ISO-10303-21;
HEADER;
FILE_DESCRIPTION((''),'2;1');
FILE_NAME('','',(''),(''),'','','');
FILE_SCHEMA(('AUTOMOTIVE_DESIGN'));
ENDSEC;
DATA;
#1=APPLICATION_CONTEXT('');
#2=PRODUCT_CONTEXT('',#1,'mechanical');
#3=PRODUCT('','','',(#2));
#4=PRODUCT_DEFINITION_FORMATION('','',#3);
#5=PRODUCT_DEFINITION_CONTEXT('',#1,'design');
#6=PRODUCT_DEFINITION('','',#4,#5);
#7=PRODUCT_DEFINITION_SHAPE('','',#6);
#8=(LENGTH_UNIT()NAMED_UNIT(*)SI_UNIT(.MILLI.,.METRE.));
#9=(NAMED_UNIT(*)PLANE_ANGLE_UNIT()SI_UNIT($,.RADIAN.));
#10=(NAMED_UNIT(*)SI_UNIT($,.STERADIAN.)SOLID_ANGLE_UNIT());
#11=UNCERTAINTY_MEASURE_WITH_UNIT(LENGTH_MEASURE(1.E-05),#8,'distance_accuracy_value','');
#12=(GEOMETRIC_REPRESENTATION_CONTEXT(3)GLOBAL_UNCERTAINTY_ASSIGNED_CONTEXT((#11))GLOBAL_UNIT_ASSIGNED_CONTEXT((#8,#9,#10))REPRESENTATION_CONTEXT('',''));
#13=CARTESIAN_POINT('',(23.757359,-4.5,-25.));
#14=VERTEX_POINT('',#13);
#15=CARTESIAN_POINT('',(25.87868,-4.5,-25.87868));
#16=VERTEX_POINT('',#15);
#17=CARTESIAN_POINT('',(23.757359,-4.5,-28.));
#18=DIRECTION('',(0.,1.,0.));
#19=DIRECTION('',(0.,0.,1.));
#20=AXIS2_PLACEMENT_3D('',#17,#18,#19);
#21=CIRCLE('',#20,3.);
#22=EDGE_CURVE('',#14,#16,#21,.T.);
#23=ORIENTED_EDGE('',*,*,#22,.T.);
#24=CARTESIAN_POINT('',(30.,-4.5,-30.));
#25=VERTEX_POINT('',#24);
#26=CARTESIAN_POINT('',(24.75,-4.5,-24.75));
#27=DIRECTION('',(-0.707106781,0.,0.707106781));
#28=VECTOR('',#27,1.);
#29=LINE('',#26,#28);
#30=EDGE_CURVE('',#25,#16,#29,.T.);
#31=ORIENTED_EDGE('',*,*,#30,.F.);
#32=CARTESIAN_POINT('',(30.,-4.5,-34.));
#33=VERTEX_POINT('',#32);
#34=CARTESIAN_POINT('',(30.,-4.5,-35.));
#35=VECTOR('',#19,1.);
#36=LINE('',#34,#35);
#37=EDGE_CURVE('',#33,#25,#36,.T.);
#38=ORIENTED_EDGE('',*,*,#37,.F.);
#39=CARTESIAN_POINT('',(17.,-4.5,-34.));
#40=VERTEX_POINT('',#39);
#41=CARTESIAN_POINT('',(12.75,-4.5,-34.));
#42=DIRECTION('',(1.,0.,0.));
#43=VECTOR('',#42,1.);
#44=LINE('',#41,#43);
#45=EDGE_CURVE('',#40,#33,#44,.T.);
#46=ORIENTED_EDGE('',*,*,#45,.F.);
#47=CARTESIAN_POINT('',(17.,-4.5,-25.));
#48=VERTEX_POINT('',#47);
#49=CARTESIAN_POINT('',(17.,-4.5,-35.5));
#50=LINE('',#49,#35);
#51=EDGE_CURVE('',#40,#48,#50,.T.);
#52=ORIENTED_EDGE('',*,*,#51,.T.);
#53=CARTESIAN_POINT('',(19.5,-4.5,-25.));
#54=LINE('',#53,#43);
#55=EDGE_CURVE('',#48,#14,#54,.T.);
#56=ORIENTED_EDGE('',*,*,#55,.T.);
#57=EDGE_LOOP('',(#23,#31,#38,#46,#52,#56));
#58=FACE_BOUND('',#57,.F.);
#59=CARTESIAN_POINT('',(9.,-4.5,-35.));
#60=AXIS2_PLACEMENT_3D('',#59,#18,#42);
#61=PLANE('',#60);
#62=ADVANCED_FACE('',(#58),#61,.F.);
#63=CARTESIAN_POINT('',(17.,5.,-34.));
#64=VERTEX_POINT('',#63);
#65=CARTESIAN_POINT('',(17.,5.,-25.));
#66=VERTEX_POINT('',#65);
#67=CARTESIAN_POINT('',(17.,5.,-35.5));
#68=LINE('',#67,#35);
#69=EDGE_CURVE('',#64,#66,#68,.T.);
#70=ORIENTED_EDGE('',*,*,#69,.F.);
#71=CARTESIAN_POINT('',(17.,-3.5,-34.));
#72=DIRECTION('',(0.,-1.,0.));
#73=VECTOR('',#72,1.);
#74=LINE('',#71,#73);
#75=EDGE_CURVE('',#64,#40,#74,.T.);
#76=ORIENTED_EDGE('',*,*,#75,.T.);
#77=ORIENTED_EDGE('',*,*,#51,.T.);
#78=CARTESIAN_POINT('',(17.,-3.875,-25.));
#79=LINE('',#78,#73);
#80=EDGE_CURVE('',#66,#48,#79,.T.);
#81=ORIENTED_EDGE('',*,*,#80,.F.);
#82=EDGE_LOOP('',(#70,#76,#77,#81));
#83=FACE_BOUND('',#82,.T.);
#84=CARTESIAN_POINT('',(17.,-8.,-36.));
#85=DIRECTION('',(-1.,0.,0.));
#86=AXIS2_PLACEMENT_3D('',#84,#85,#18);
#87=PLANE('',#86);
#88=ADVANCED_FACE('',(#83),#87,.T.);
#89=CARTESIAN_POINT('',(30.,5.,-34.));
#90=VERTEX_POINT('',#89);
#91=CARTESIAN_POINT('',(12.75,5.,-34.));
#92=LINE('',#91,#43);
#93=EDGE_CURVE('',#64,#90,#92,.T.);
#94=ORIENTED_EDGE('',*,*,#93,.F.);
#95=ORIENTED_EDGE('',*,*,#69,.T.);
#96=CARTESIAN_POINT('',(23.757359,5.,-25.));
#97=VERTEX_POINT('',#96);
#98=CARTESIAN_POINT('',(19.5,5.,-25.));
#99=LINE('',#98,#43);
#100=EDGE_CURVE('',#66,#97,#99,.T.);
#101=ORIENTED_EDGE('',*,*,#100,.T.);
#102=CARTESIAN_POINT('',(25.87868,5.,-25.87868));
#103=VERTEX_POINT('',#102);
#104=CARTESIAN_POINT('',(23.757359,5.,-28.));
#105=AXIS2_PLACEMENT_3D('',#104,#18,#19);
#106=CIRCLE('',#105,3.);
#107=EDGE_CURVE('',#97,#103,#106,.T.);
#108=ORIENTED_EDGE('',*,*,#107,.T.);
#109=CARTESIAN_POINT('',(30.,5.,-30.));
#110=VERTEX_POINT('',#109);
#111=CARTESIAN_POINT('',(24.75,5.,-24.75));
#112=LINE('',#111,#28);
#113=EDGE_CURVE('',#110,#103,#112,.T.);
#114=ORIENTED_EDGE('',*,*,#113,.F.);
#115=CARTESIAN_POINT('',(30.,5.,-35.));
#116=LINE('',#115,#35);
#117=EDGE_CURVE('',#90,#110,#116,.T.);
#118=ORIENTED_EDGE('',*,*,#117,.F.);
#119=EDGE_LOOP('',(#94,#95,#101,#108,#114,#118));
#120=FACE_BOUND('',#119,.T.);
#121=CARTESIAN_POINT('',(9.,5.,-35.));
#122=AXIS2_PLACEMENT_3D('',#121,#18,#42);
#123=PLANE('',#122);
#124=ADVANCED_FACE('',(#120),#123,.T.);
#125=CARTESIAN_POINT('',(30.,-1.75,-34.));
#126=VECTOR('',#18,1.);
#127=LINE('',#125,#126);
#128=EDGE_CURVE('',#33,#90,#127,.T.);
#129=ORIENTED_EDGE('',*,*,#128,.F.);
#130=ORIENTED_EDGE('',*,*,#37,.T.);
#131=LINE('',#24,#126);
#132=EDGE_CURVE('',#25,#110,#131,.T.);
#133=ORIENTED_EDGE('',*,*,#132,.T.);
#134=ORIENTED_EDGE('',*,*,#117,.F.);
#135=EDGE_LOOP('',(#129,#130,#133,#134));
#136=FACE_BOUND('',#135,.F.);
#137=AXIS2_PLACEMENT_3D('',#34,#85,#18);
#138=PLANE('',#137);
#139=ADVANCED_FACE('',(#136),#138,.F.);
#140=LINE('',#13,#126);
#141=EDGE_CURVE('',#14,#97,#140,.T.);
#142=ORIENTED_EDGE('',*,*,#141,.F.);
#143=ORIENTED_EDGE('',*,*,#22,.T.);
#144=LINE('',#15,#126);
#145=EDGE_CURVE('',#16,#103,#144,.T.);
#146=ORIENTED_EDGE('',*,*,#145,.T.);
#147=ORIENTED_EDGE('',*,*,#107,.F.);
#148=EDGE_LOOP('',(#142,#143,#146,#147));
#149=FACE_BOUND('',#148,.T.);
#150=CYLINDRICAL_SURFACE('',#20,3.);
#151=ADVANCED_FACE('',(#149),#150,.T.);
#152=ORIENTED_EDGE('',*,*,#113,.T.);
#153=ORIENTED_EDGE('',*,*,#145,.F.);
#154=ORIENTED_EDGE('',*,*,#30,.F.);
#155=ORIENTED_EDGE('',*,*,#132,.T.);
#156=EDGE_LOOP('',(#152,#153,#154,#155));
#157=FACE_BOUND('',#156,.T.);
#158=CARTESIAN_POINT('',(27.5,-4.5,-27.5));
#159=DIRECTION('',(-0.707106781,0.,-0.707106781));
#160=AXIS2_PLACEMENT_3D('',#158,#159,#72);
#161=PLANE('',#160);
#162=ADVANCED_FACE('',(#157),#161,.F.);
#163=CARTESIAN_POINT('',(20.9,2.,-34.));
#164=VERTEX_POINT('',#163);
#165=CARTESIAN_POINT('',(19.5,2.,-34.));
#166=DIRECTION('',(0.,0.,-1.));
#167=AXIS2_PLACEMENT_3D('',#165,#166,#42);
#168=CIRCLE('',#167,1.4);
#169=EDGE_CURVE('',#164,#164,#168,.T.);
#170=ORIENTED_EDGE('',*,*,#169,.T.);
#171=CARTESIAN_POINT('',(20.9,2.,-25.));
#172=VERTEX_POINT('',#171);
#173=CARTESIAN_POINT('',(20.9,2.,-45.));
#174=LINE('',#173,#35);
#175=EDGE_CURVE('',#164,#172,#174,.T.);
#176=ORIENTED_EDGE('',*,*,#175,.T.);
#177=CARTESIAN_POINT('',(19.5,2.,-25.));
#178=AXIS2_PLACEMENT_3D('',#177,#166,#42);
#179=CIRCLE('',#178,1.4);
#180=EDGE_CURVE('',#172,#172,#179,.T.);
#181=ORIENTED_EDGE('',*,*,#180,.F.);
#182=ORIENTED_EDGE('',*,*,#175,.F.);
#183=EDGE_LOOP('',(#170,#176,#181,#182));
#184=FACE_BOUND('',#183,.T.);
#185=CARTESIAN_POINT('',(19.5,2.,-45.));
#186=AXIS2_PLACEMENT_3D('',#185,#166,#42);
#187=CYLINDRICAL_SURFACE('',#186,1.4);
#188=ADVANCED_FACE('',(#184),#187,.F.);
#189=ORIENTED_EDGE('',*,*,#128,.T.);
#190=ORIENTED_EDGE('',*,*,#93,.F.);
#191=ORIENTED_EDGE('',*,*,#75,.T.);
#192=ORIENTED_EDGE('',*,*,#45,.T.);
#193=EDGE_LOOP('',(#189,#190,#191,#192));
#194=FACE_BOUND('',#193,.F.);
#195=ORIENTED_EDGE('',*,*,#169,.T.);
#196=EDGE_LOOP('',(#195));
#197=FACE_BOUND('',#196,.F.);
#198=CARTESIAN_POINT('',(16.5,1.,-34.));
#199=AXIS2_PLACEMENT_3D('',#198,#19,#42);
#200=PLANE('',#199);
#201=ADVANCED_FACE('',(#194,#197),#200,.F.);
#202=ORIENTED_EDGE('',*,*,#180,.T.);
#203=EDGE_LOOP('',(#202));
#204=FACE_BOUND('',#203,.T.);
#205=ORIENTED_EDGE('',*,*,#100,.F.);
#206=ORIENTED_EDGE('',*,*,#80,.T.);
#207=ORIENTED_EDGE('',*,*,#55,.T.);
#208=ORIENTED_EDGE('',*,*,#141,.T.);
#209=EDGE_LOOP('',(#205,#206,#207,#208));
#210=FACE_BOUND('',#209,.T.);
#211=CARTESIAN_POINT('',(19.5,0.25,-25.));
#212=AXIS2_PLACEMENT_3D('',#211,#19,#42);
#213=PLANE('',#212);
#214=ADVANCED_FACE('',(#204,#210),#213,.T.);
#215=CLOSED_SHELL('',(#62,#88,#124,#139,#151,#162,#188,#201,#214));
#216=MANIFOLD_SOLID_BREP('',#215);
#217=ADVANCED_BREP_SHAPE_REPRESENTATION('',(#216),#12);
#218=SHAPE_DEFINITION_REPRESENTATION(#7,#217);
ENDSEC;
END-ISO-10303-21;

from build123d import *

# Parameters (mm, degrees)
BOX001027045162_W     = 17
BOX001027045162_H     = 18
BOX001027045162_DEPTH = 16
CYLINDER208_R         = 1.4
CYLINDER208_DEPTH     = 30
BOX001027045158_W     = 33
BOX001027045158_H     = 16
BOX001027045158_DEPTH = 10
BOX001027045156_W     = 21
BOX001027045156_H     = 9.5
BOX001027045156_DEPTH = 10
CHAMFER018_SIZE       = 5
FILLET026_R           = 3


with BuildPart() as cube210:
    # Box001027045162 → Box001027045162 (new body)
    with BuildSketch(Plane(origin=(0, -8, -36), x_dir=(1, 0, 0), z_dir=(0, 0, 1))):
        with Locations((8.5, 9)):
            Rectangle(BOX001027045162_W, BOX001027045162_H)
    extrude(amount=BOX001027045162_DEPTH)


with BuildPart() as cylinder252:
    # Cylinder208 → Cylinder208 (new body)
    with BuildSketch(Plane(origin=(19.5, 2, -45), x_dir=(1, 0, 0), z_dir=(0, 0, 1))):
        Circle(CYLINDER208_R)
    extrude(amount=CYLINDER208_DEPTH)


with BuildPart() as cube206:
    # Box001027045158 → Box001027045158 (new body)
    with BuildSketch(Plane(origin=(0, -7, -44), x_dir=(1, 0, 0), z_dir=(0, 0, 1))):
        with Locations((16.5, 8)):
            Rectangle(BOX001027045158_W, BOX001027045158_H)
    extrude(amount=BOX001027045158_DEPTH)


with BuildPart() as adjust_block:
    # Box001027045156 → Box001027045156 (new body)
    with BuildSketch(Plane(origin=(20, -2.5, -42), x_dir=(1, 0, 0), z_dir=(0, 0, 1))):
        with Locations((10.5, 4.75)):
            Rectangle(BOX001027045156_W, BOX001027045156_H)
    extrude(amount=BOX001027045156_DEPTH)

    # Chamfer018
    chamfer018_edges = [adjust_block.edges().sort_by_distance(p)[0] for p in [
        (20, 2.25, -32),
        (41, 2.25, -32),
    ]]
    chamfer(chamfer018_edges, length=CHAMFER018_SIZE)

    # Fillet026
    fillet026_edges = [adjust_block.edges().sort_by_distance(p)[0] for p in [
        (25, 2.25, -32),
        (36, 2.25, -32),
    ]]
    fillet(fillet026_edges, radius=FILLET026_R)


with BuildPart() as adjust_block_1:
    # Fillet026 placement: moved
    add(adjust_block.part.moved(Location((-11, -2, 7))))

    # Cut181: cut Cube206
    add(cube206.part, mode=Mode.SUBTRACT)

    # Cut183: cut Cylinder252
    add(cylinder252.part, mode=Mode.SUBTRACT)

    # Cut188: cut Cube210
    add(cube210.part, mode=Mode.SUBTRACT)


solid = adjust_block_1.part
